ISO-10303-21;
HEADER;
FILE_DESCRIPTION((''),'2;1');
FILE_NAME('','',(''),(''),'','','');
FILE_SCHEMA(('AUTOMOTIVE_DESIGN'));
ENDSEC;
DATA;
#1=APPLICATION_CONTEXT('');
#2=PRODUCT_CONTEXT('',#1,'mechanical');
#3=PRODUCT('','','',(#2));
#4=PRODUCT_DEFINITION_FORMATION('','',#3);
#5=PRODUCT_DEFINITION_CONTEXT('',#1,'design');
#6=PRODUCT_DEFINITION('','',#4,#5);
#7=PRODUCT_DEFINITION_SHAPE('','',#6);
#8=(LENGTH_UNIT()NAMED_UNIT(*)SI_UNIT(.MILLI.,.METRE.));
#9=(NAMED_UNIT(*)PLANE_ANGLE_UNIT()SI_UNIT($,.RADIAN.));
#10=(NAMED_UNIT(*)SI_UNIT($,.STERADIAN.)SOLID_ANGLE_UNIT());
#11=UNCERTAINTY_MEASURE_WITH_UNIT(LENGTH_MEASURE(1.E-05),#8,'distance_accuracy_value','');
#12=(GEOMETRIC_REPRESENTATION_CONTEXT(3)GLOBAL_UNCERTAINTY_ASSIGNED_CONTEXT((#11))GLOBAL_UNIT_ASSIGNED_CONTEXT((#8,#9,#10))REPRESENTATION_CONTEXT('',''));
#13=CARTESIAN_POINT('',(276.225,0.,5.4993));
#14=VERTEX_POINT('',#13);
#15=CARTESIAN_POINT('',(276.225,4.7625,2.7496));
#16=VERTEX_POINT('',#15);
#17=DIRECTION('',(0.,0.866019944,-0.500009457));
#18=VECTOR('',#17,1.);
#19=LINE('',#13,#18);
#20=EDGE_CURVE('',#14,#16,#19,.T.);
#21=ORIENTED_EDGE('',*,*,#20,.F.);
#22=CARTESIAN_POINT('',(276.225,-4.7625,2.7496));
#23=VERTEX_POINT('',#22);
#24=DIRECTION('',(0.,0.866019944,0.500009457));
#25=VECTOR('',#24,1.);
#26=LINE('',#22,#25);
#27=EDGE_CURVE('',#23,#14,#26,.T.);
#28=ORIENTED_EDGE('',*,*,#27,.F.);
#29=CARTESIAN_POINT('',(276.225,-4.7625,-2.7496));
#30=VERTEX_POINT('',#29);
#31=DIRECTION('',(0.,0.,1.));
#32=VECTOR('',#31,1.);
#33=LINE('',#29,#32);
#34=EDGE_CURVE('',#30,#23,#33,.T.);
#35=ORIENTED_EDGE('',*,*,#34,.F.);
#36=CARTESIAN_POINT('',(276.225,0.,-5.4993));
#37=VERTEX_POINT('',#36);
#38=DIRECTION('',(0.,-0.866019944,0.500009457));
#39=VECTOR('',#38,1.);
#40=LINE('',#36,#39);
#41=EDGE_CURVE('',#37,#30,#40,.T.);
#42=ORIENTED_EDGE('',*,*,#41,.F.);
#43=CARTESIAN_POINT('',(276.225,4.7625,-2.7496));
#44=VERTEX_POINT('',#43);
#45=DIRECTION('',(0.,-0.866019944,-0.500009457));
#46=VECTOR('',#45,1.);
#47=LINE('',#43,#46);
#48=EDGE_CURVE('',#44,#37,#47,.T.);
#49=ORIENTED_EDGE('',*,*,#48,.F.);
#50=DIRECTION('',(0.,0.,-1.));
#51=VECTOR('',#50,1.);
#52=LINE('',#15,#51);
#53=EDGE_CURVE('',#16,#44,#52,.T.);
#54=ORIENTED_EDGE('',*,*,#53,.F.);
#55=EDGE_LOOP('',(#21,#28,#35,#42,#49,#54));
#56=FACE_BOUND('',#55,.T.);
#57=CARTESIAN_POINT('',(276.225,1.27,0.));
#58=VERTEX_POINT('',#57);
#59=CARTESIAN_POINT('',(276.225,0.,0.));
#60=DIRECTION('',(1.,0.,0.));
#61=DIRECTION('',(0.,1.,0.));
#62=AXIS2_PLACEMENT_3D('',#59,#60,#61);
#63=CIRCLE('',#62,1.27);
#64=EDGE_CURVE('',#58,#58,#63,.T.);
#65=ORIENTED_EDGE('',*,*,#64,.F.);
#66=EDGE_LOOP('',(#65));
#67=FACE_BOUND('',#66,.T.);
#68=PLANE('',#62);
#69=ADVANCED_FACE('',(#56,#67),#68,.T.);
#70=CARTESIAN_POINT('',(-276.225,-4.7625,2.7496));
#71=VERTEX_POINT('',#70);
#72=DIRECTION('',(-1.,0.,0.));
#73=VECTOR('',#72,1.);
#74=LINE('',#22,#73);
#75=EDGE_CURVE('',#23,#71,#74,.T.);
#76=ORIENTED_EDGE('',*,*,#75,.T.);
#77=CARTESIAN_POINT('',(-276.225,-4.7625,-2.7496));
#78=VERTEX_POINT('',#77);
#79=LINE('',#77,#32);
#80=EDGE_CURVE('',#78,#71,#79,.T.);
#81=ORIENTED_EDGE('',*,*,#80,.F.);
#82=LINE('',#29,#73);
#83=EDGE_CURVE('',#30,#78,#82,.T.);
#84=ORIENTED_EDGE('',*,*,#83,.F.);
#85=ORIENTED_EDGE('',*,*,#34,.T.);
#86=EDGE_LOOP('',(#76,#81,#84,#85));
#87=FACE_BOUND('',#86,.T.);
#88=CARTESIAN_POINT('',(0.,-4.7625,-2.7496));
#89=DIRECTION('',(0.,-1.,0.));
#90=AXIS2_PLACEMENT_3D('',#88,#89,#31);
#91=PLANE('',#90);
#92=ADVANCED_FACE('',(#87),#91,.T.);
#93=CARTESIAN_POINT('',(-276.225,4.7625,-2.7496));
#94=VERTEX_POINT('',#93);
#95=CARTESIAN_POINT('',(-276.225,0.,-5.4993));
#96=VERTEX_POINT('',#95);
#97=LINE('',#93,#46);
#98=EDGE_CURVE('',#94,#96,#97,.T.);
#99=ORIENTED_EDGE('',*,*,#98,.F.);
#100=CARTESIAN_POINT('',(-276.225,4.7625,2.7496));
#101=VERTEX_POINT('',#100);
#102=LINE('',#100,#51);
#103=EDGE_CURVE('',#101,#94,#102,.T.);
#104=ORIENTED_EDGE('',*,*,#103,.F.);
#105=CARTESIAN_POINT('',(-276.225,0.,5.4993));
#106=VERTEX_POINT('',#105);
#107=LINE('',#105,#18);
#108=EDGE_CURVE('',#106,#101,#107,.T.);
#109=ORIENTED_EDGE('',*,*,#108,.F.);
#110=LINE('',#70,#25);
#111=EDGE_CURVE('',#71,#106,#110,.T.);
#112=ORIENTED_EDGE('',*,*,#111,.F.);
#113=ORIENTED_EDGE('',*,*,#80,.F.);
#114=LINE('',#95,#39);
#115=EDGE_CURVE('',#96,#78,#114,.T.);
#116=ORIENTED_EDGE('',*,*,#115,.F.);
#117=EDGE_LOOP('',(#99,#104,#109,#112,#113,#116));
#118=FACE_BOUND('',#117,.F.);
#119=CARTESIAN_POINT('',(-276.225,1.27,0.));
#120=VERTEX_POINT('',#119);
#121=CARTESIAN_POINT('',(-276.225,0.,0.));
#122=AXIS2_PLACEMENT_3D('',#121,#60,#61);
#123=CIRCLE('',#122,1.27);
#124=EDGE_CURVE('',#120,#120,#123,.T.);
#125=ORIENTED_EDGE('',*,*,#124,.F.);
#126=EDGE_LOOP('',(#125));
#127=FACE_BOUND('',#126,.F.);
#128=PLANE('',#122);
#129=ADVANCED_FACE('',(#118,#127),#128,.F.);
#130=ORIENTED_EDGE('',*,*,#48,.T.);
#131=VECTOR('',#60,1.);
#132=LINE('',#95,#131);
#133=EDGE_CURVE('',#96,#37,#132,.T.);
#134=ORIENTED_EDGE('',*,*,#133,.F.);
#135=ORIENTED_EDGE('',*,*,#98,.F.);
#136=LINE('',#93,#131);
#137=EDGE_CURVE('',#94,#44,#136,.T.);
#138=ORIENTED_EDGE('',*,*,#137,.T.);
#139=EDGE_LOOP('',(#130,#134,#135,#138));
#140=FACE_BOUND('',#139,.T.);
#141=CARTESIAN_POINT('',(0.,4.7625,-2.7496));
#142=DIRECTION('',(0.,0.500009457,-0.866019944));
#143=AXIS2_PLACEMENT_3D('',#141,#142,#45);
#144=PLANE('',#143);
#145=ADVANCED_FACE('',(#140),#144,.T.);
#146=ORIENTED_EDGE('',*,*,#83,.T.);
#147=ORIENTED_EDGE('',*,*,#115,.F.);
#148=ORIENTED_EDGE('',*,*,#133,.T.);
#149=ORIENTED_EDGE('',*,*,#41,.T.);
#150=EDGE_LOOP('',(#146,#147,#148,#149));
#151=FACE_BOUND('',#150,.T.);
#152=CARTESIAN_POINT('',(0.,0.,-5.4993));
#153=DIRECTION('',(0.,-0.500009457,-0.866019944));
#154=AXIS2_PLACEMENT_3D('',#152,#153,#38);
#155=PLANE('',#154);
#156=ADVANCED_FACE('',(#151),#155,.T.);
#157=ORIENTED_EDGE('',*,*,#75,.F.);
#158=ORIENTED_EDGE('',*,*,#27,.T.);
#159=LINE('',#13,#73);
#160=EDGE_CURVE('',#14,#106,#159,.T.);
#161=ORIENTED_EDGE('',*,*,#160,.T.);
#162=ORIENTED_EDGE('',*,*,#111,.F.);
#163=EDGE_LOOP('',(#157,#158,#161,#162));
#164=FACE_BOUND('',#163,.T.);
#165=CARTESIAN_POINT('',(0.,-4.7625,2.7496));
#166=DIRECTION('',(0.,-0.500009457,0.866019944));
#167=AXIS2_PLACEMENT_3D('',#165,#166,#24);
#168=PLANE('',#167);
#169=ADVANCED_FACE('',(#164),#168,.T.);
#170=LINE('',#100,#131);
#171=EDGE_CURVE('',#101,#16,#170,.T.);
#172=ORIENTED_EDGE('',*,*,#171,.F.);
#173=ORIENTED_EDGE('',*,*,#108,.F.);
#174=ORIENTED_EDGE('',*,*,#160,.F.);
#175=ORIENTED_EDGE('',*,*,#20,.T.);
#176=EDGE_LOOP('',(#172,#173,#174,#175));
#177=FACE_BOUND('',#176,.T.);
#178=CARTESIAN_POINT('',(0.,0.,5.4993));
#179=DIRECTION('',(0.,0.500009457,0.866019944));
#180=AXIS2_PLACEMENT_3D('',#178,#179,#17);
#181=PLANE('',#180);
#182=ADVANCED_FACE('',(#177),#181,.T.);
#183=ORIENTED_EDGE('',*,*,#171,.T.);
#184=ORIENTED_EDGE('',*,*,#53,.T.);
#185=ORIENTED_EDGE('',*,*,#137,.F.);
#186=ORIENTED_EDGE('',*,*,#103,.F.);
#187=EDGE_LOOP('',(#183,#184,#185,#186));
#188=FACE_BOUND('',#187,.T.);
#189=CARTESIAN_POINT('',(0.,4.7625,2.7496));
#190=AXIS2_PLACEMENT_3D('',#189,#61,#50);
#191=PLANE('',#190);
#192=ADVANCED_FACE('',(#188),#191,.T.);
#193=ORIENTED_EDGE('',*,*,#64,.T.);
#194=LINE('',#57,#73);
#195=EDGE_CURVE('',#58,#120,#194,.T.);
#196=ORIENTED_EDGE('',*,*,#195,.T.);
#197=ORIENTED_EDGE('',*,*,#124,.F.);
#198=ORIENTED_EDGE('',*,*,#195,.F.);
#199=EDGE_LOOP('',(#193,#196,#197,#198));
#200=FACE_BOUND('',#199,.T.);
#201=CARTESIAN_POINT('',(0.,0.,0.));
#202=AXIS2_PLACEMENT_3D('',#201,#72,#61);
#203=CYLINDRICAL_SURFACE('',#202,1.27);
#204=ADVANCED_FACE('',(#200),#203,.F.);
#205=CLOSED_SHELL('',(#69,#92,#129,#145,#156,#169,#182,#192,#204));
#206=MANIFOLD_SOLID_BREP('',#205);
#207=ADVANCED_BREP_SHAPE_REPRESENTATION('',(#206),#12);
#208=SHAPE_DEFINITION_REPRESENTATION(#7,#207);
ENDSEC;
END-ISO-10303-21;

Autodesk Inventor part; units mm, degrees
ref_plane "YZ Plane" through (0, 0, 0) normal (1, 0, 0) x (0, 1, 0)
ref_plane "XZ Plane" through (0, 0, 0) normal (0, 1, 0) x (-1, 0, 0)
ref_plane "XY Plane" through (0, 0, 0) normal (0, 0, 1) x (1, 0, 0)
sketch "Sketch1" plane through (0, 0, 0) normal (1, 0, 0) x (0, 1, 0)
  line L0 (0, -5.4993) -> (-4.7625, -2.7496)
  line L1 (-4.7625, -2.7496) -> (-4.7625, 2.7496)
  line L2 (-4.7625, 2.7496) -> (0, 5.4993)
  line L3 (0, 5.4993) -> (4.7625, 2.7496)
  line L4 (4.7625, 2.7496) -> (4.7625, -2.7496)
  line L5 (4.7625, -2.7496) -> (0, -5.4993)
  circle A0 centre (0, 0) radius 1.27
  dimension "d3" = 9.525
  dimension "d4" = 2.54
extrude "Extrusion1" add sketch "Sketch1" along normal mid plane 552.45
properties part number "driveshaft" material "Steel"
